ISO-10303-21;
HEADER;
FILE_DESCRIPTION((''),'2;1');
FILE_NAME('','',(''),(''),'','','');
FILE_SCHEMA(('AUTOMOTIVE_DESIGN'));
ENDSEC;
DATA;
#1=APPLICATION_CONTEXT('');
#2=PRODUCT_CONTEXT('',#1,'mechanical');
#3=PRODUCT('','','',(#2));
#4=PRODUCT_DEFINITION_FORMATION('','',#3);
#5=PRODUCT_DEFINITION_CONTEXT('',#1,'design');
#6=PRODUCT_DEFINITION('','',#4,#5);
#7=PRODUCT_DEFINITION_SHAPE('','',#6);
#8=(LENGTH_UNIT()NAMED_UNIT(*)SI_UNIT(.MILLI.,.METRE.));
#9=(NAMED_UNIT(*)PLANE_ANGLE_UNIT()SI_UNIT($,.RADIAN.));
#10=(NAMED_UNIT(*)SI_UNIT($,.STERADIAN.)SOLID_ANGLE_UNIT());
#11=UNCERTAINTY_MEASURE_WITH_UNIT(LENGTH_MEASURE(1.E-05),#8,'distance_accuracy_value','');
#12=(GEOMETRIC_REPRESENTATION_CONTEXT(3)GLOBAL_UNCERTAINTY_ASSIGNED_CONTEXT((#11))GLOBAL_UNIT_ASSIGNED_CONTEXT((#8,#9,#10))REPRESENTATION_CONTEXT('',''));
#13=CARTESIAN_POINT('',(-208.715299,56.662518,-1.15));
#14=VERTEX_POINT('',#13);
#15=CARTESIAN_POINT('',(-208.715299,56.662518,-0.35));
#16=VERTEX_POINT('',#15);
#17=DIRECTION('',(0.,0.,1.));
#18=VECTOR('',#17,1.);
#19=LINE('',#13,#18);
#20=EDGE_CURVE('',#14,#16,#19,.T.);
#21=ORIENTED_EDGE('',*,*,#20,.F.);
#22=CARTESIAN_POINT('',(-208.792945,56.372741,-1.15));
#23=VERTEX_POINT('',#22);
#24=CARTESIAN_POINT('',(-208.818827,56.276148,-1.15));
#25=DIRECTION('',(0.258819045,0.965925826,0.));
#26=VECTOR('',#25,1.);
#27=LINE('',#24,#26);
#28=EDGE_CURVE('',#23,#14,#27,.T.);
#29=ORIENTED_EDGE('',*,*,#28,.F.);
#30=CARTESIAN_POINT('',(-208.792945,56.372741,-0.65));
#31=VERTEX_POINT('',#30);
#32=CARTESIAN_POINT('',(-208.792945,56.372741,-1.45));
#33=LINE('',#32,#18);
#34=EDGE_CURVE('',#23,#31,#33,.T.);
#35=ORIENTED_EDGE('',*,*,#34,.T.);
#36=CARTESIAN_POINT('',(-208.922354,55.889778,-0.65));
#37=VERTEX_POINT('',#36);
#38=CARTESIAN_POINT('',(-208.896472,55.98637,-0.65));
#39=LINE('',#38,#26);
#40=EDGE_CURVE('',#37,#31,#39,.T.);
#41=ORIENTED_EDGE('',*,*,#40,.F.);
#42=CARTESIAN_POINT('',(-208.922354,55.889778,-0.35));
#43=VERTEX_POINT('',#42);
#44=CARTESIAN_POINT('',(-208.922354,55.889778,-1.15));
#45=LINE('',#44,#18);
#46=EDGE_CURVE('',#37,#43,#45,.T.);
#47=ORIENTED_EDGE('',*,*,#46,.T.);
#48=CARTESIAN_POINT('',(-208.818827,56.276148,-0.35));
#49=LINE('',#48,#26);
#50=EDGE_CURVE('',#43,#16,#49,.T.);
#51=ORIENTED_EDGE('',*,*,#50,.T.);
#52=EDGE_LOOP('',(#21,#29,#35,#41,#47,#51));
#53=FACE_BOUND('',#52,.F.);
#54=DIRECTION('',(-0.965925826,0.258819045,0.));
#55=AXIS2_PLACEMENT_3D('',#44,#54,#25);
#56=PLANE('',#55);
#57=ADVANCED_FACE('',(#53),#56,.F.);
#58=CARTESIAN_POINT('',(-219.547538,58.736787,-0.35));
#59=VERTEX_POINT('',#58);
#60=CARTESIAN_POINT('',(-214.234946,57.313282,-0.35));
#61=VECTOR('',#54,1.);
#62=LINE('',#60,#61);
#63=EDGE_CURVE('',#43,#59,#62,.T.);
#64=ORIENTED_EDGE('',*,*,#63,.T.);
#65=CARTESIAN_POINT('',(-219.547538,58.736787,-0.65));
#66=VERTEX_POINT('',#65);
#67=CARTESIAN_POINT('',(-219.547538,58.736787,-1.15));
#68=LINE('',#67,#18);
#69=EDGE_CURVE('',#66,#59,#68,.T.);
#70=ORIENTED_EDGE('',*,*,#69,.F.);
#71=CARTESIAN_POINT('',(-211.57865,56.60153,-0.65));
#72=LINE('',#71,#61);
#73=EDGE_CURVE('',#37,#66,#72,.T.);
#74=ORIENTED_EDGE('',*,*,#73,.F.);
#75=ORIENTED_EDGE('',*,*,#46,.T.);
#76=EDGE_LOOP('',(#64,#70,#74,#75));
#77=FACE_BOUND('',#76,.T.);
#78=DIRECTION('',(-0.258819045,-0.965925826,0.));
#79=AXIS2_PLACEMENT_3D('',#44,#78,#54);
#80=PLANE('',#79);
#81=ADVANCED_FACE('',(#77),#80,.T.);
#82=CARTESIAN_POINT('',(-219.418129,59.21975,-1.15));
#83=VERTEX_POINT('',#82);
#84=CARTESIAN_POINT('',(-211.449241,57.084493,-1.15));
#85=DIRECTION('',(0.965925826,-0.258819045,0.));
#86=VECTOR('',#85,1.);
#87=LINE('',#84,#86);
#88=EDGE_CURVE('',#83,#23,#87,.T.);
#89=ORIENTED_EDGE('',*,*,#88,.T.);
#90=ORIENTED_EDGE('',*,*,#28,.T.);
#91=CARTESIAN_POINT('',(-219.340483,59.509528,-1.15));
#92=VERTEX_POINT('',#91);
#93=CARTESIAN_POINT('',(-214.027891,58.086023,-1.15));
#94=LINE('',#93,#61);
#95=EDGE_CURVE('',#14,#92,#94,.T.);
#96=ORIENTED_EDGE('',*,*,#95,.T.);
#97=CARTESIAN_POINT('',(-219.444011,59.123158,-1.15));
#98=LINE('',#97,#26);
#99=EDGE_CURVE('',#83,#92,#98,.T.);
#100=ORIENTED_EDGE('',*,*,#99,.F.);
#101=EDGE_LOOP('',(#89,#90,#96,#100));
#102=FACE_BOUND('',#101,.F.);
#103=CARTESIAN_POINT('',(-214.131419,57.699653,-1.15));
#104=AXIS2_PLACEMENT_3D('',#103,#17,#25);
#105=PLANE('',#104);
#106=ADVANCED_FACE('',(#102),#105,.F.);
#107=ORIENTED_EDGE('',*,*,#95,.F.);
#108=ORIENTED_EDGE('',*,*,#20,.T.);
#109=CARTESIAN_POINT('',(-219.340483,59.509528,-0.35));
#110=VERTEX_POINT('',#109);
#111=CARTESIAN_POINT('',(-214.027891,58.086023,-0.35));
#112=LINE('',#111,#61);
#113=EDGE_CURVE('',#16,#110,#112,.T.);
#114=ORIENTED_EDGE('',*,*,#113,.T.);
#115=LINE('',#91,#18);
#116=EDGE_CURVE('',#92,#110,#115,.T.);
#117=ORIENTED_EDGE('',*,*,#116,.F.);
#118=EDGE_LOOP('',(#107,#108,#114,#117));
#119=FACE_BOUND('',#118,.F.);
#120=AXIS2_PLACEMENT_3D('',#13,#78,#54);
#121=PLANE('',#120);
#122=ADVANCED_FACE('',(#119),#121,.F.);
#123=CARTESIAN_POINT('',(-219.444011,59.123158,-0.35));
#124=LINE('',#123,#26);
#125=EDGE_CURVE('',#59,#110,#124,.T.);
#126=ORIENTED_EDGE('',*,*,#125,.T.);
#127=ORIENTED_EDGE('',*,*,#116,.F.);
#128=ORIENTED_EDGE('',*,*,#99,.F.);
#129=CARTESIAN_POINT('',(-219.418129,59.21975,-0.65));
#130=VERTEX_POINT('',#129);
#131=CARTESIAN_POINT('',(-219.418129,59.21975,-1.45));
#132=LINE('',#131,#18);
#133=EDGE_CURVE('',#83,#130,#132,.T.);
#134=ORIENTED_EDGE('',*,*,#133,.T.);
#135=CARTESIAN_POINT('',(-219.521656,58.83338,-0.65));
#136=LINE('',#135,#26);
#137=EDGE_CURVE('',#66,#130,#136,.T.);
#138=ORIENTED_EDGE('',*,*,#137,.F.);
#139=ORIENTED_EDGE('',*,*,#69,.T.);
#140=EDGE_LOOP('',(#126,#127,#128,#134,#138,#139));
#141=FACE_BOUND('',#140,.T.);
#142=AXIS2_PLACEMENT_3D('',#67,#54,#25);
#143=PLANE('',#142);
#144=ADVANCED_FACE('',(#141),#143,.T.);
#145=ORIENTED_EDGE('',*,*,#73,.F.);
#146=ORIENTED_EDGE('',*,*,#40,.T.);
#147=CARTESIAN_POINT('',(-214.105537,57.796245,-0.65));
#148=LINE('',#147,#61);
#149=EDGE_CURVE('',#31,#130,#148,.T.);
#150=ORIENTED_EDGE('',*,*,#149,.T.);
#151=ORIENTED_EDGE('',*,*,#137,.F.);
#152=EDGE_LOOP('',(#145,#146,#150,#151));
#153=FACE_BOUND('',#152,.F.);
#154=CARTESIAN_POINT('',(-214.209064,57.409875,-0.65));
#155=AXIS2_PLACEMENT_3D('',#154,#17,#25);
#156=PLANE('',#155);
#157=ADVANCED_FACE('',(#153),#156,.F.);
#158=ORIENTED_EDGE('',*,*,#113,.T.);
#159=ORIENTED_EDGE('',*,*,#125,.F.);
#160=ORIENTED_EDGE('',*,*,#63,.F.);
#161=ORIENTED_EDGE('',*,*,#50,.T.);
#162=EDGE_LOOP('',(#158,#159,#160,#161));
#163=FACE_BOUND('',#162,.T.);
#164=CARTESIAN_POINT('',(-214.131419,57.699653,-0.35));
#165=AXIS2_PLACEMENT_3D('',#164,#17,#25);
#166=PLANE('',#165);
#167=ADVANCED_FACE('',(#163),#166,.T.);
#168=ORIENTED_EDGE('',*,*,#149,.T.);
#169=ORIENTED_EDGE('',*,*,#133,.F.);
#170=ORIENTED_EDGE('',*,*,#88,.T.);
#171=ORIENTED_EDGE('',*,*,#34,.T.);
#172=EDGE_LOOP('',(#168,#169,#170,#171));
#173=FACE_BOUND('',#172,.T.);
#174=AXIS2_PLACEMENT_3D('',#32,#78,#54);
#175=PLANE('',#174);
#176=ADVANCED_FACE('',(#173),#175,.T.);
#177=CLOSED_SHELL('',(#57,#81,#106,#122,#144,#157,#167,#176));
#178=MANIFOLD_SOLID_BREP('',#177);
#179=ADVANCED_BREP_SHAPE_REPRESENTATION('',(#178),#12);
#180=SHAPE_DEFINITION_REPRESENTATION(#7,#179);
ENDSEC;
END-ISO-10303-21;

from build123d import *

# Parameters (mm, degrees)
BOX113_W               = 0.8
BOX113_H               = 11
BOX113_DEPTH           = 0.8
BOX114_W               = 0.8
BOX114_H               = 11
BOX114_DEPTH           = 0.8
CUT060_PLACEMENT_ANGLE = 75


with BuildPart() as cubo113:
    # Box113 → Box113 (new body)
    with BuildSketch(Plane.XY):
        with Locations((0.4, 5.5)):
            Rectangle(BOX113_W, BOX113_H)
    extrude(amount=BOX113_DEPTH)


with BuildPart() as perfil_l_2da_cara002:
    # Box114 → Box114 (new body)
    with BuildSketch(Plane(origin=(0.3, 0, 0.3), x_dir=(1, 0, 0), z_dir=(0, 0, 1))):
        with Locations((0.4, 5.5)):
            Rectangle(BOX114_W, BOX114_H)
    extrude(amount=BOX114_DEPTH)

    # Cut060: cut Cubo113
    add(cubo113.part, mode=Mode.SUBTRACT)


with BuildPart() as perfil_l_2da_cara002_1:
    # Cut060 placement: moved
    add(perfil_l_2da_cara002.part.moved(Location((-209, 55.6, -1.45))).rotate(Axis((-209, 55.6, -1.45), (0, 0, 1)), CUT060_PLACEMENT_ANGLE))


solid = perfil_l_2da_cara002_1.part
